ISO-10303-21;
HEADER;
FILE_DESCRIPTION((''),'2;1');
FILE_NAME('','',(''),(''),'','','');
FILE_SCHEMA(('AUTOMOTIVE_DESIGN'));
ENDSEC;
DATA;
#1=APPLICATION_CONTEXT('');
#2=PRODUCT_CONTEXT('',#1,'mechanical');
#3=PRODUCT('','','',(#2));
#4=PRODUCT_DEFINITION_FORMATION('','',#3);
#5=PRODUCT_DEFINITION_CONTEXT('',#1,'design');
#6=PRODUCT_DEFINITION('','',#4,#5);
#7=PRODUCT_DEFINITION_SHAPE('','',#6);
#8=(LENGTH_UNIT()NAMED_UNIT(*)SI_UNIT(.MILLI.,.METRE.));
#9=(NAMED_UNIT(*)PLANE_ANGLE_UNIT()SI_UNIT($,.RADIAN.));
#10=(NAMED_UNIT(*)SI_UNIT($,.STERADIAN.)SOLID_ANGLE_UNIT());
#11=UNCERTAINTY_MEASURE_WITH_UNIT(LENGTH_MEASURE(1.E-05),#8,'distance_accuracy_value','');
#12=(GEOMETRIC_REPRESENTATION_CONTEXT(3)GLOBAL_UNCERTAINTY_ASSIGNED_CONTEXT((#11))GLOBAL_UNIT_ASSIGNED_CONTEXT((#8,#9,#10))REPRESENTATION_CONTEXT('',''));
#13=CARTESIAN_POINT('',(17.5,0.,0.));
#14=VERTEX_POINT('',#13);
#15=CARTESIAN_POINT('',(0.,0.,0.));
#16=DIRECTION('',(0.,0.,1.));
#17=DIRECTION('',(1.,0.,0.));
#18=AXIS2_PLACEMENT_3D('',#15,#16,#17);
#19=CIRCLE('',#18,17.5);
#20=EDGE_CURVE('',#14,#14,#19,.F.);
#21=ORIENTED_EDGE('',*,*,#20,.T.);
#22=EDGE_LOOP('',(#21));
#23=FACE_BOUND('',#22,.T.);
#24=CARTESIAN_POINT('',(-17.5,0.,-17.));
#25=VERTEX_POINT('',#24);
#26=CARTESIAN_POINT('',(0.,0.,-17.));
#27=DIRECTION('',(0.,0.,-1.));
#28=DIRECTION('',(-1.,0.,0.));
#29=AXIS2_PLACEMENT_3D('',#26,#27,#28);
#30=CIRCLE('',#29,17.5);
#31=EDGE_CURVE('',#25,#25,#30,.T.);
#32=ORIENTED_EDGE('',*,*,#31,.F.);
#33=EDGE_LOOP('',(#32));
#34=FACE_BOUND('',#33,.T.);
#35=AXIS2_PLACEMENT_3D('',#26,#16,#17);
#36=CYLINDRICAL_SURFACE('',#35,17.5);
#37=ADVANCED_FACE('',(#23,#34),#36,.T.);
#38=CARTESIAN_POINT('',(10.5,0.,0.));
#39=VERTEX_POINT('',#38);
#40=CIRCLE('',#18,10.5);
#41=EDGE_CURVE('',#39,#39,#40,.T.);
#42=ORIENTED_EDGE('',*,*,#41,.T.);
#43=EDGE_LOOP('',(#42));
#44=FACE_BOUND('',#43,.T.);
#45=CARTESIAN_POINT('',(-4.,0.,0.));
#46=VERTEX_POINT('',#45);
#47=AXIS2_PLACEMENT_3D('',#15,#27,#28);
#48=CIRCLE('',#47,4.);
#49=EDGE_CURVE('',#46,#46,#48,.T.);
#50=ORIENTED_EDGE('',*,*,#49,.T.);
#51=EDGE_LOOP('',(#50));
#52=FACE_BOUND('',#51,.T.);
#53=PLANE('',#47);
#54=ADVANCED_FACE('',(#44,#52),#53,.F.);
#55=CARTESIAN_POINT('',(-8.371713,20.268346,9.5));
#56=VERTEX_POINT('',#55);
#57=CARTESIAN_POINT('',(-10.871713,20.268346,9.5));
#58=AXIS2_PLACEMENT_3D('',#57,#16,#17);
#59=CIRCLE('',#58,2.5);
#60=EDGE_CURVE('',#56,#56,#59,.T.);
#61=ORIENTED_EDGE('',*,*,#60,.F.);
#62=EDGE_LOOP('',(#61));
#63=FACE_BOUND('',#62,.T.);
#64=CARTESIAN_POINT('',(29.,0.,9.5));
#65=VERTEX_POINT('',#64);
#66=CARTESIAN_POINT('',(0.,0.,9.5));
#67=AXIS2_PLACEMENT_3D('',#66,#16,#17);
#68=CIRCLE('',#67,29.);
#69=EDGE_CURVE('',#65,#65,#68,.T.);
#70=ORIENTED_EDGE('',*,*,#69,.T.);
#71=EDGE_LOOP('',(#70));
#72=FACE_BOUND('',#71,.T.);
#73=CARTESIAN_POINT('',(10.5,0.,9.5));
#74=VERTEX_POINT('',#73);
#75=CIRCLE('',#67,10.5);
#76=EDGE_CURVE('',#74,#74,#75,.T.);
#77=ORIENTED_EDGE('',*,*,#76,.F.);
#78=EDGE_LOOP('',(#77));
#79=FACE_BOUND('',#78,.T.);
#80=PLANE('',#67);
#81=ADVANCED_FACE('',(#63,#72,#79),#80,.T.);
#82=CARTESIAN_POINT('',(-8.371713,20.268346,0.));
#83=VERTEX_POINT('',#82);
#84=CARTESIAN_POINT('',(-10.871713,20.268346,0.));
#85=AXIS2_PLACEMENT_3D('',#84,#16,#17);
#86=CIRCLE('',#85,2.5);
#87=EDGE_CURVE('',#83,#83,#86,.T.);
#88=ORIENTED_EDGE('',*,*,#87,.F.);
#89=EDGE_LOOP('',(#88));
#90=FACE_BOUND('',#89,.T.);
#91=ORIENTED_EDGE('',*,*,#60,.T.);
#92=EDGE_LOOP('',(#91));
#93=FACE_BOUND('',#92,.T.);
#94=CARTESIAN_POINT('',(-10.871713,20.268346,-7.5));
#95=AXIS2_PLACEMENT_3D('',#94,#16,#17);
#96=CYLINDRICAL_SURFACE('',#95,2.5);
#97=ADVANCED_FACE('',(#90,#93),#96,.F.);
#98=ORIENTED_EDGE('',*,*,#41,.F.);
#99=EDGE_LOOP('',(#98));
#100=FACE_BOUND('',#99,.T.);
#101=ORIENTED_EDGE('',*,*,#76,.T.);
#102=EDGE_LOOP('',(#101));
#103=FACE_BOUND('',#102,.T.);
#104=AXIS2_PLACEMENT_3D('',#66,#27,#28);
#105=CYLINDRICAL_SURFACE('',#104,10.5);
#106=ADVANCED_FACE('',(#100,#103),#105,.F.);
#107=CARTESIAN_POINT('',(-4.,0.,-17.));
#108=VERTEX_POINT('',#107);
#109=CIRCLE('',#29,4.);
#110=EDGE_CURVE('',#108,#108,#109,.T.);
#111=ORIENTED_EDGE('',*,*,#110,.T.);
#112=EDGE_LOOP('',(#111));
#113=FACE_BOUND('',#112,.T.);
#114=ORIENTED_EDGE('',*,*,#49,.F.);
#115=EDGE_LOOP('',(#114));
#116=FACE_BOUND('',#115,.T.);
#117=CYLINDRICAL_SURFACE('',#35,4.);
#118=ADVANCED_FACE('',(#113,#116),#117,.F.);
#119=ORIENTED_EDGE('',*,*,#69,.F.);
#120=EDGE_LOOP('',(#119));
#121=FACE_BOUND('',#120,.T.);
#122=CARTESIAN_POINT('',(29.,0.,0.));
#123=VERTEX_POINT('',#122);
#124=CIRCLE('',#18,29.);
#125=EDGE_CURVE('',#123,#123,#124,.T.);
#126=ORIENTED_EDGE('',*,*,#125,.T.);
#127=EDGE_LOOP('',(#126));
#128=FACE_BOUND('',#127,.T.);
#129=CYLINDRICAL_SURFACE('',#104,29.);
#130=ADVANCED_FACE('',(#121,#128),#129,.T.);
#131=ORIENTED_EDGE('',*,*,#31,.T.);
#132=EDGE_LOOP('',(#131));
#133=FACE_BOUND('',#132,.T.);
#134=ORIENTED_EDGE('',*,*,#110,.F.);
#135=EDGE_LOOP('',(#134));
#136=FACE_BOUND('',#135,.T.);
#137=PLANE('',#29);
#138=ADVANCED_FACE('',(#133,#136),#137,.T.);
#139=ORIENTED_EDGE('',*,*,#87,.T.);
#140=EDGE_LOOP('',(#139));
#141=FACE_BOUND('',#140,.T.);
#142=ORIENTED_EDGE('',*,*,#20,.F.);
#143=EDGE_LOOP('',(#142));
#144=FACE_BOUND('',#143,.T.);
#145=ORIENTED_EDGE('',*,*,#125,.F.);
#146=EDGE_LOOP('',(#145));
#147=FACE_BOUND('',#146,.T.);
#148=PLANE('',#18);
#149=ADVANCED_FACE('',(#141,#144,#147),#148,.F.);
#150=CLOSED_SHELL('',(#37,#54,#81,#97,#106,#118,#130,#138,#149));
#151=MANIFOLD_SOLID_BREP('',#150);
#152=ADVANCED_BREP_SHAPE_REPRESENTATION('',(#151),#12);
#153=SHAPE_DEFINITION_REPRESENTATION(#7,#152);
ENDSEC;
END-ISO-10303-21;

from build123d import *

# Parameters (mm, degrees)
SKETCH_1_R          = 29
SKETCH_1_R_2        = 10.5
EXTRUDE_1_DEPTH     = 9.5
SKETCH_2_R          = 17.5
SKETCH_2_R_2        = 4
EXTRUDE_2_DEPTH     = 17
SKETCH_3_R          = 2.5
CUT_EXTRUDE_1_DEPTH = 17


with BuildPart() as part:
    # Эскиз1 → Бобышка-Вытянуть1 (new body)
    with BuildSketch(Plane.XY):
        Circle(SKETCH_1_R)
        Circle(SKETCH_1_R_2, mode=Mode.SUBTRACT)
    extrude(amount=EXTRUDE_1_DEPTH)

    # Эскиз2 → Бобышка-Вытянуть2 (add)
    with BuildSketch(Plane(origin=(0, 0, 0), x_dir=(-1, 0, 0), z_dir=(0, 0, -1))):
        Circle(SKETCH_2_R)
        Circle(SKETCH_2_R_2, mode=Mode.SUBTRACT)
    extrude(amount=EXTRUDE_2_DEPTH)

    # Эскиз3 → Вырез-Вытянуть1 (cut)
    with BuildSketch(Plane.XY.offset(9.5)):
        with Locations((-10.871713138, 20.268346096)):
            Circle(SKETCH_3_R)
    extrude(amount=-CUT_EXTRUDE_1_DEPTH, mode=Mode.SUBTRACT)


solid = part.part
